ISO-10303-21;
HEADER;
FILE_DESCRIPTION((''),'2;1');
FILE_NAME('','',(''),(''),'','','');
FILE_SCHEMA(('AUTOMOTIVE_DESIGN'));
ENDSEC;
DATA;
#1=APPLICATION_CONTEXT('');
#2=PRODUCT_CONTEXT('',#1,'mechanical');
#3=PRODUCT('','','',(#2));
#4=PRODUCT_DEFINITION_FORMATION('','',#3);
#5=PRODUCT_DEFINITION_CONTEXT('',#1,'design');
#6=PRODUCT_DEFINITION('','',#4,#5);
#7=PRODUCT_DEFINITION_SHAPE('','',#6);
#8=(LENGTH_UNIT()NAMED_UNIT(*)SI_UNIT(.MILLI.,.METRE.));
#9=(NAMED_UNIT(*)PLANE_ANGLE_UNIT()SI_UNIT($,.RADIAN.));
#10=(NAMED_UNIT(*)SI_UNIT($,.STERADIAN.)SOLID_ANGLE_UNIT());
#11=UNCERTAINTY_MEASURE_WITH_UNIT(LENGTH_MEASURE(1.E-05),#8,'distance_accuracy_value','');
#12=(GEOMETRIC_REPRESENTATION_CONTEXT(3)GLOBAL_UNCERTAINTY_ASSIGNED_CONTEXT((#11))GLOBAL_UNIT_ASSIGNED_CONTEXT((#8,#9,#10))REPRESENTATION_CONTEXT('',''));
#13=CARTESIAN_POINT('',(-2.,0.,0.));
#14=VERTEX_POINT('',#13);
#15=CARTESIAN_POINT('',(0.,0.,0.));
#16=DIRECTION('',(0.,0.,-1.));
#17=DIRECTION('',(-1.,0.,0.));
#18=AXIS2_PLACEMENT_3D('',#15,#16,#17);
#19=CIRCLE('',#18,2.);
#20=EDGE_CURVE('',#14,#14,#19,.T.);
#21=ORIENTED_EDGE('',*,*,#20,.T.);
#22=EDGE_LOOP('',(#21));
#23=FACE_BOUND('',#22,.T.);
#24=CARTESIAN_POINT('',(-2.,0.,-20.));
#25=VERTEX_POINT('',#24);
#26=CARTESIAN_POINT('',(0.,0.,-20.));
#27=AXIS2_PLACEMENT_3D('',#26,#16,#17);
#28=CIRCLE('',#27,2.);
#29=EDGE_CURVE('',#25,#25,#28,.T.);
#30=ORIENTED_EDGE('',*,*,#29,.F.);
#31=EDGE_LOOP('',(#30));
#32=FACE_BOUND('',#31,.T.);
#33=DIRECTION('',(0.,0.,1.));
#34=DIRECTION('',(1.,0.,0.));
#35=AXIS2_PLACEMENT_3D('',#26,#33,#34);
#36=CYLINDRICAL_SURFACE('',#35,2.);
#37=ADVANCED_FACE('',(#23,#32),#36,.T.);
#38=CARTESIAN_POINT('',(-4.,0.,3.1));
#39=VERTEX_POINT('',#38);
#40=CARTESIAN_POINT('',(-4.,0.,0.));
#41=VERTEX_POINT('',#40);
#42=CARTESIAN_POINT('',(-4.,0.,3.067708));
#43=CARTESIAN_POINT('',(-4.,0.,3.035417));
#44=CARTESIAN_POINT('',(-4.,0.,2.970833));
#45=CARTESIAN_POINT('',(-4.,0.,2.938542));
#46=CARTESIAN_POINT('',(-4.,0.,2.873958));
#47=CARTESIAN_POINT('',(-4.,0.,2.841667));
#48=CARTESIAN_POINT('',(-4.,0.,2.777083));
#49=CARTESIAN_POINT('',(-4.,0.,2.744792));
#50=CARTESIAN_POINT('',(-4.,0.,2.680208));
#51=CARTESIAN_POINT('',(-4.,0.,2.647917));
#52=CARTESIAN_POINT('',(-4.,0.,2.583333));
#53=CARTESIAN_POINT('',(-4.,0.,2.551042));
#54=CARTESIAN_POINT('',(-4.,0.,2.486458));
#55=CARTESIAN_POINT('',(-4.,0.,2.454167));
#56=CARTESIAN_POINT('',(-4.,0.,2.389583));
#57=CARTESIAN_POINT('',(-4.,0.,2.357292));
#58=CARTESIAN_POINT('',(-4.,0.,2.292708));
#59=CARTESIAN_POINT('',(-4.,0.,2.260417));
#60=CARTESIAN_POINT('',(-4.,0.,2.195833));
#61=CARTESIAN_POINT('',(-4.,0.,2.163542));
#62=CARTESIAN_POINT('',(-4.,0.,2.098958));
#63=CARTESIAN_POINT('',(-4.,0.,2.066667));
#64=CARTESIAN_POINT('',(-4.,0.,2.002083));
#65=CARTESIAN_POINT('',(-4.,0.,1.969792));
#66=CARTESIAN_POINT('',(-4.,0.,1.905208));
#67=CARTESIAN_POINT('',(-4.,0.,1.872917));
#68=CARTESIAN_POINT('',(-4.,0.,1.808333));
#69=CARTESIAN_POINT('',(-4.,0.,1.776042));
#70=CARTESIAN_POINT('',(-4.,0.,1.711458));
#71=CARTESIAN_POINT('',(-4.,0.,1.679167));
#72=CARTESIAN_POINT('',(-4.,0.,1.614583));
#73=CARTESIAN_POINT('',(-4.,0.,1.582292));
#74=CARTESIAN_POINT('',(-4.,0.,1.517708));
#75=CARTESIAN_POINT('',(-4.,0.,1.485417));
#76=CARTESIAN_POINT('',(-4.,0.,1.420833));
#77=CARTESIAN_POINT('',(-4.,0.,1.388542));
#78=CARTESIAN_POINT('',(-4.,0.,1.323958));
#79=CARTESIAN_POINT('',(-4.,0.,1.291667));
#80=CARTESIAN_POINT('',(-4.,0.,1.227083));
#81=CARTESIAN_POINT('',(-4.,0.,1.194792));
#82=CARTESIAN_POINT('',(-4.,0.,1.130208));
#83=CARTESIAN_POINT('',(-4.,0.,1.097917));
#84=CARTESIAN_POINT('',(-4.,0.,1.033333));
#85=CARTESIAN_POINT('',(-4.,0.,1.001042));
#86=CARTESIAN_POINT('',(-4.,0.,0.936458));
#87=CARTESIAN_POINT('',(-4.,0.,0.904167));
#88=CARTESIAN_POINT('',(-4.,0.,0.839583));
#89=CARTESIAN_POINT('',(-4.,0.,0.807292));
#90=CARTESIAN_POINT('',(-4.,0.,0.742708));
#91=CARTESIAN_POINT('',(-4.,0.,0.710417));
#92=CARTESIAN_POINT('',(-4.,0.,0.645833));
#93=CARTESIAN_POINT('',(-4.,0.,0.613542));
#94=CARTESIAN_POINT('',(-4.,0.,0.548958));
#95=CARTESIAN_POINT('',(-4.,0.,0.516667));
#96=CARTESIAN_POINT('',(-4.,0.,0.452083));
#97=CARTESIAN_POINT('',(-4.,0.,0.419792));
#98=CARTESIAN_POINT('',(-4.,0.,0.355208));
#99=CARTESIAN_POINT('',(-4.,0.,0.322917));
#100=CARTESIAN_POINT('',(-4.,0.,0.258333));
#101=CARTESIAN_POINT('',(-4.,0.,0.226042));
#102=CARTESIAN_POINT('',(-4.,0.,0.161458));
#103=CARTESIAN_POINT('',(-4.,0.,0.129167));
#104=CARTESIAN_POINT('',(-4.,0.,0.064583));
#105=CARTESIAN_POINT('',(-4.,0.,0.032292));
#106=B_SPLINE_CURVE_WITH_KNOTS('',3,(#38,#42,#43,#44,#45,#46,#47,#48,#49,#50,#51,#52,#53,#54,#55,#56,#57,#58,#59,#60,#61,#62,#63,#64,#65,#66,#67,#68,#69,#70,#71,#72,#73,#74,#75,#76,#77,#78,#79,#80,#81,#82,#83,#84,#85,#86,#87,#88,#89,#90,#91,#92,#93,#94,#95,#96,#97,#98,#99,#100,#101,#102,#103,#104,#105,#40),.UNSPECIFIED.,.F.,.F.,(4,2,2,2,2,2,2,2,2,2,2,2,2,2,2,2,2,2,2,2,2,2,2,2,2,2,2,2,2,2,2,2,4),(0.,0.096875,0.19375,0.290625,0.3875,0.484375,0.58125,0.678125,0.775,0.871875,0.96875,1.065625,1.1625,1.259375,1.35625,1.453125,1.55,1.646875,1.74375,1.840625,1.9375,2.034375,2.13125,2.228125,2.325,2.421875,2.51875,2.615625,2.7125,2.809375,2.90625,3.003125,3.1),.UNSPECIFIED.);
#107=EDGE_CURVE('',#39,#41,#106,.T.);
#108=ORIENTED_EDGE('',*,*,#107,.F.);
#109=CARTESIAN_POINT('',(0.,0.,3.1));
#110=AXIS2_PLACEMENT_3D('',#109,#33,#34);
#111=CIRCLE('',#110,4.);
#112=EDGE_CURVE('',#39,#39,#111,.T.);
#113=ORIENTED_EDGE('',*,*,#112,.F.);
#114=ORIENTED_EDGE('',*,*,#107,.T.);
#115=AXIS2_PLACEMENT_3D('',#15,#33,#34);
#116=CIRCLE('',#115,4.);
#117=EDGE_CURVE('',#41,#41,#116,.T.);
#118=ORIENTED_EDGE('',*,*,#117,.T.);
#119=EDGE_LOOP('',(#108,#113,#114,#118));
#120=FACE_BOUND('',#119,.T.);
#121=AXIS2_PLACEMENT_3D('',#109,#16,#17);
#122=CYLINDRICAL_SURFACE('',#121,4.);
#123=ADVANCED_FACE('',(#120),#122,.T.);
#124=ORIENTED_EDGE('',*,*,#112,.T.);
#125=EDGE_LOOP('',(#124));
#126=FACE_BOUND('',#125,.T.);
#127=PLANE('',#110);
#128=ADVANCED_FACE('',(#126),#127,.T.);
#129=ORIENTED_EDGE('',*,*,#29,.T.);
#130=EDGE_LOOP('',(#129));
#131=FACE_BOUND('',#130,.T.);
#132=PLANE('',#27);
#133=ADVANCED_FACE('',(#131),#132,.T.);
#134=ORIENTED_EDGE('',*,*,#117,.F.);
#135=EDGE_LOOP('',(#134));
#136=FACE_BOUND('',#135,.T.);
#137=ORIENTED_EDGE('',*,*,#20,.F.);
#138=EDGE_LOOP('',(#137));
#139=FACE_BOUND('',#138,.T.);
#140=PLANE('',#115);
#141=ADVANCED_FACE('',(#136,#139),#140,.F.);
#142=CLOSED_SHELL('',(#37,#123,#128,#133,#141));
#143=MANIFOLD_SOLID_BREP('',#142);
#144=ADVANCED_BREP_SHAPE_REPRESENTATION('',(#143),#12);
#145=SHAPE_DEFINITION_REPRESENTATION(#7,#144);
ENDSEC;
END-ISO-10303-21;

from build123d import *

# Parameters (mm, degrees)
ESQUISSE1_R        = 4
BOSS_EXTRU_1_DEPTH = 3.1
ESQUISSE2_R        = 2
BOSS_EXTRU_2_DEPTH = 20


with BuildPart() as part:
    # Esquisse1 → Boss.-Extru.1 (new body)
    with BuildSketch(Plane.XY):
        with Locations(Location((0, 0, 0), (0, 0, 180))):
            Circle(ESQUISSE1_R)
    extrude(amount=BOSS_EXTRU_1_DEPTH)

    # Esquisse2 → Boss.-Extru.2 (add)
    with BuildSketch(Plane(origin=(0, 0, 0), x_dir=(-1, 0, 0), z_dir=(0, 0, -1))):
        Circle(ESQUISSE2_R)
    extrude(amount=BOSS_EXTRU_2_DEPTH)


solid = part.part
